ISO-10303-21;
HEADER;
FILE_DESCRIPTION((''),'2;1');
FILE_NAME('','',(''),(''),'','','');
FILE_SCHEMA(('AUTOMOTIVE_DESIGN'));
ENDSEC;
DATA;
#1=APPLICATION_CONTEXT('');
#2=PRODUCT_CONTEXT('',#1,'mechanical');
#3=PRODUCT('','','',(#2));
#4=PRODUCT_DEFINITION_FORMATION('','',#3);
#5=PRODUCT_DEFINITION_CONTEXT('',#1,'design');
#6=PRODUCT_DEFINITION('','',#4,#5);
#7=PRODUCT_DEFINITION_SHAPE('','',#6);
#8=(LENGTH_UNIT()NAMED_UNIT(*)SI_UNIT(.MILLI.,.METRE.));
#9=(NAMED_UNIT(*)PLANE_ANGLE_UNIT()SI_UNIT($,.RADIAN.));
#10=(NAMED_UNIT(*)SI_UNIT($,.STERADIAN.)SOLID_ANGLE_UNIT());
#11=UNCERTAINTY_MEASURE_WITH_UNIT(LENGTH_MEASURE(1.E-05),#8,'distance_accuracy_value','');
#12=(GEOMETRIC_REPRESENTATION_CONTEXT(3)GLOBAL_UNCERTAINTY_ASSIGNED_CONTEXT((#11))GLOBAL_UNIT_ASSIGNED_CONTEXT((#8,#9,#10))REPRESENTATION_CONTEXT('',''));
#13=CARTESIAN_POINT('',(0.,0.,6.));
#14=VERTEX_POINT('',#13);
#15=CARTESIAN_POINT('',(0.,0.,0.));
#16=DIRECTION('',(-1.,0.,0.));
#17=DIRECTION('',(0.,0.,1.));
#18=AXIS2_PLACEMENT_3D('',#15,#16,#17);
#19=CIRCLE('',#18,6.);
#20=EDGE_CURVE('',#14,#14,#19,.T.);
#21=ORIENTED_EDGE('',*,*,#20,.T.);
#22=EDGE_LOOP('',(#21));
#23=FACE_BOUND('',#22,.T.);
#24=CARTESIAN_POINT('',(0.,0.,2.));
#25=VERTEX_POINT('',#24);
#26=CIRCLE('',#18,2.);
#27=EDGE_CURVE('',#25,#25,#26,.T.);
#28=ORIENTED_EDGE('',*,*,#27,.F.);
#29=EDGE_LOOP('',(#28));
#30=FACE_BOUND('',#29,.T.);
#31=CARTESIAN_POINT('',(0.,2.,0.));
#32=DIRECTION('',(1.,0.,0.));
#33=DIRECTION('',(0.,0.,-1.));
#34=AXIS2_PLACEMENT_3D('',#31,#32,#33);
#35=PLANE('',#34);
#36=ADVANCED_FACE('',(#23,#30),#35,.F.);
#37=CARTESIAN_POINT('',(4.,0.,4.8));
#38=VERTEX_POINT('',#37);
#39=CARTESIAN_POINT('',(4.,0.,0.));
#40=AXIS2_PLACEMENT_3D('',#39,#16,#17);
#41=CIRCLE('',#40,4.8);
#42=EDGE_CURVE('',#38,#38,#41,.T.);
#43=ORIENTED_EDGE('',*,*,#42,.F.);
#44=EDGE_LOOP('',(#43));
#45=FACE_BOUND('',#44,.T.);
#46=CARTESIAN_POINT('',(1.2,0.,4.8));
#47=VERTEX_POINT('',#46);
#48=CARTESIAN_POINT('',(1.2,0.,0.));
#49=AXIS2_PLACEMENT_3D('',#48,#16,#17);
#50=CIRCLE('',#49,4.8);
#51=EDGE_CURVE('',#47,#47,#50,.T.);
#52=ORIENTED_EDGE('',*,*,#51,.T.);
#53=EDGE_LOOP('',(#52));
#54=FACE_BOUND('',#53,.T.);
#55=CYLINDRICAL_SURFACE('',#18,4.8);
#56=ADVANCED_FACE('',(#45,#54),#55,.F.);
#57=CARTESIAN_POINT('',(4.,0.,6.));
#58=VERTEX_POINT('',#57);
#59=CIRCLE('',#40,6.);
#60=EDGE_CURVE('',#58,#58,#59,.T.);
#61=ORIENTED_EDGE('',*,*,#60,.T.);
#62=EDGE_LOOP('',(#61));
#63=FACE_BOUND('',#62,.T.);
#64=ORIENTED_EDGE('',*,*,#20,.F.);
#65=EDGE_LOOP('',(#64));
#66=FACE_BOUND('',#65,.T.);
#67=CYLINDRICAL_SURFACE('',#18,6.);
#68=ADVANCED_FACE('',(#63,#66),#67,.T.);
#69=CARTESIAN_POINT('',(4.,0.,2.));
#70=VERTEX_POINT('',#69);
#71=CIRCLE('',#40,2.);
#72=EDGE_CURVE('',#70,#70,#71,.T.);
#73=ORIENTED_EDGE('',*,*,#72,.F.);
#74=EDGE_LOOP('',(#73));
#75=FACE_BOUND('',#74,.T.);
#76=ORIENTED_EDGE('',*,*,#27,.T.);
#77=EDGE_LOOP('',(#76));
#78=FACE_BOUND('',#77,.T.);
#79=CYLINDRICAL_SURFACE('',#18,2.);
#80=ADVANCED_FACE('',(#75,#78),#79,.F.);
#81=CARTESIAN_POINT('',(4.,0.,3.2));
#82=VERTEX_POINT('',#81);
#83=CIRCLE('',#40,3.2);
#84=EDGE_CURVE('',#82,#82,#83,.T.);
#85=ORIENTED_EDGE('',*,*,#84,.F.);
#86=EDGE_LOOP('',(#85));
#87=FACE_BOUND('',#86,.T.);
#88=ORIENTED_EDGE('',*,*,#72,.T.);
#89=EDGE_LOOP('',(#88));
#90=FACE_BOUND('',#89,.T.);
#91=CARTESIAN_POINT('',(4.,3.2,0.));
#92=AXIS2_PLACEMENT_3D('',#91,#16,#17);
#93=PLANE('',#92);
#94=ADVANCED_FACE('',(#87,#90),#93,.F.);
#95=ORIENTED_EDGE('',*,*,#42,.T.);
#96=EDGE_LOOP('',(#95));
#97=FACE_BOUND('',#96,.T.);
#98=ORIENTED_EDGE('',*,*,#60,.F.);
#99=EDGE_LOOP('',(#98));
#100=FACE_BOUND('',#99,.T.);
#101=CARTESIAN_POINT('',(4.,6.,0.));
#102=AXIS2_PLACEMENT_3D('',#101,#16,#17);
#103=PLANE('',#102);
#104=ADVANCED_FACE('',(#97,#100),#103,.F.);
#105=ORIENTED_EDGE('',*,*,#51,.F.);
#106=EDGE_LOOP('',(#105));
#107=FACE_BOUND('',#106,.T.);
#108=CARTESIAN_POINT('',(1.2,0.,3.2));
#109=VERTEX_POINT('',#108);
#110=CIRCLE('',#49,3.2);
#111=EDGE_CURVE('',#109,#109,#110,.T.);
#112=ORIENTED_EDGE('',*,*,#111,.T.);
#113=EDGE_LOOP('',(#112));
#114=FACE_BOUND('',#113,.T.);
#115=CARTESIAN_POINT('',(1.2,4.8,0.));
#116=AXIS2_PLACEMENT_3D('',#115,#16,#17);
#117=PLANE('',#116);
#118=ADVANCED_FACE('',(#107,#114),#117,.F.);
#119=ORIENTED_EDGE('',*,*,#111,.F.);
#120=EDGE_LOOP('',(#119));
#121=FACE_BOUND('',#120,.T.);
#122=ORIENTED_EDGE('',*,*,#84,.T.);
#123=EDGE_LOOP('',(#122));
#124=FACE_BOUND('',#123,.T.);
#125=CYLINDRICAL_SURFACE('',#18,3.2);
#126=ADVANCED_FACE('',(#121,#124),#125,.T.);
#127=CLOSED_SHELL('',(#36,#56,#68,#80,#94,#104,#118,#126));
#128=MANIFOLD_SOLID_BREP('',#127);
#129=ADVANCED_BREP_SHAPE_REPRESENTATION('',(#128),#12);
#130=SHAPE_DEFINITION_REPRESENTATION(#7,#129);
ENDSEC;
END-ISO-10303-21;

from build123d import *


with BuildPart() as part:
    # Skizze1 → Rotation1 (revolve)
    with BuildSketch(Plane.XY):
        Polygon((4, 2), (0, 2), (0, 6), (4, 6), (4, 4.8), (1.2, 4.8), (1.2, 3.2), (4, 3.2), align=None)
    revolve(axis=Axis((0, 0, 0), (1, 0, 0)))


solid = part.part
